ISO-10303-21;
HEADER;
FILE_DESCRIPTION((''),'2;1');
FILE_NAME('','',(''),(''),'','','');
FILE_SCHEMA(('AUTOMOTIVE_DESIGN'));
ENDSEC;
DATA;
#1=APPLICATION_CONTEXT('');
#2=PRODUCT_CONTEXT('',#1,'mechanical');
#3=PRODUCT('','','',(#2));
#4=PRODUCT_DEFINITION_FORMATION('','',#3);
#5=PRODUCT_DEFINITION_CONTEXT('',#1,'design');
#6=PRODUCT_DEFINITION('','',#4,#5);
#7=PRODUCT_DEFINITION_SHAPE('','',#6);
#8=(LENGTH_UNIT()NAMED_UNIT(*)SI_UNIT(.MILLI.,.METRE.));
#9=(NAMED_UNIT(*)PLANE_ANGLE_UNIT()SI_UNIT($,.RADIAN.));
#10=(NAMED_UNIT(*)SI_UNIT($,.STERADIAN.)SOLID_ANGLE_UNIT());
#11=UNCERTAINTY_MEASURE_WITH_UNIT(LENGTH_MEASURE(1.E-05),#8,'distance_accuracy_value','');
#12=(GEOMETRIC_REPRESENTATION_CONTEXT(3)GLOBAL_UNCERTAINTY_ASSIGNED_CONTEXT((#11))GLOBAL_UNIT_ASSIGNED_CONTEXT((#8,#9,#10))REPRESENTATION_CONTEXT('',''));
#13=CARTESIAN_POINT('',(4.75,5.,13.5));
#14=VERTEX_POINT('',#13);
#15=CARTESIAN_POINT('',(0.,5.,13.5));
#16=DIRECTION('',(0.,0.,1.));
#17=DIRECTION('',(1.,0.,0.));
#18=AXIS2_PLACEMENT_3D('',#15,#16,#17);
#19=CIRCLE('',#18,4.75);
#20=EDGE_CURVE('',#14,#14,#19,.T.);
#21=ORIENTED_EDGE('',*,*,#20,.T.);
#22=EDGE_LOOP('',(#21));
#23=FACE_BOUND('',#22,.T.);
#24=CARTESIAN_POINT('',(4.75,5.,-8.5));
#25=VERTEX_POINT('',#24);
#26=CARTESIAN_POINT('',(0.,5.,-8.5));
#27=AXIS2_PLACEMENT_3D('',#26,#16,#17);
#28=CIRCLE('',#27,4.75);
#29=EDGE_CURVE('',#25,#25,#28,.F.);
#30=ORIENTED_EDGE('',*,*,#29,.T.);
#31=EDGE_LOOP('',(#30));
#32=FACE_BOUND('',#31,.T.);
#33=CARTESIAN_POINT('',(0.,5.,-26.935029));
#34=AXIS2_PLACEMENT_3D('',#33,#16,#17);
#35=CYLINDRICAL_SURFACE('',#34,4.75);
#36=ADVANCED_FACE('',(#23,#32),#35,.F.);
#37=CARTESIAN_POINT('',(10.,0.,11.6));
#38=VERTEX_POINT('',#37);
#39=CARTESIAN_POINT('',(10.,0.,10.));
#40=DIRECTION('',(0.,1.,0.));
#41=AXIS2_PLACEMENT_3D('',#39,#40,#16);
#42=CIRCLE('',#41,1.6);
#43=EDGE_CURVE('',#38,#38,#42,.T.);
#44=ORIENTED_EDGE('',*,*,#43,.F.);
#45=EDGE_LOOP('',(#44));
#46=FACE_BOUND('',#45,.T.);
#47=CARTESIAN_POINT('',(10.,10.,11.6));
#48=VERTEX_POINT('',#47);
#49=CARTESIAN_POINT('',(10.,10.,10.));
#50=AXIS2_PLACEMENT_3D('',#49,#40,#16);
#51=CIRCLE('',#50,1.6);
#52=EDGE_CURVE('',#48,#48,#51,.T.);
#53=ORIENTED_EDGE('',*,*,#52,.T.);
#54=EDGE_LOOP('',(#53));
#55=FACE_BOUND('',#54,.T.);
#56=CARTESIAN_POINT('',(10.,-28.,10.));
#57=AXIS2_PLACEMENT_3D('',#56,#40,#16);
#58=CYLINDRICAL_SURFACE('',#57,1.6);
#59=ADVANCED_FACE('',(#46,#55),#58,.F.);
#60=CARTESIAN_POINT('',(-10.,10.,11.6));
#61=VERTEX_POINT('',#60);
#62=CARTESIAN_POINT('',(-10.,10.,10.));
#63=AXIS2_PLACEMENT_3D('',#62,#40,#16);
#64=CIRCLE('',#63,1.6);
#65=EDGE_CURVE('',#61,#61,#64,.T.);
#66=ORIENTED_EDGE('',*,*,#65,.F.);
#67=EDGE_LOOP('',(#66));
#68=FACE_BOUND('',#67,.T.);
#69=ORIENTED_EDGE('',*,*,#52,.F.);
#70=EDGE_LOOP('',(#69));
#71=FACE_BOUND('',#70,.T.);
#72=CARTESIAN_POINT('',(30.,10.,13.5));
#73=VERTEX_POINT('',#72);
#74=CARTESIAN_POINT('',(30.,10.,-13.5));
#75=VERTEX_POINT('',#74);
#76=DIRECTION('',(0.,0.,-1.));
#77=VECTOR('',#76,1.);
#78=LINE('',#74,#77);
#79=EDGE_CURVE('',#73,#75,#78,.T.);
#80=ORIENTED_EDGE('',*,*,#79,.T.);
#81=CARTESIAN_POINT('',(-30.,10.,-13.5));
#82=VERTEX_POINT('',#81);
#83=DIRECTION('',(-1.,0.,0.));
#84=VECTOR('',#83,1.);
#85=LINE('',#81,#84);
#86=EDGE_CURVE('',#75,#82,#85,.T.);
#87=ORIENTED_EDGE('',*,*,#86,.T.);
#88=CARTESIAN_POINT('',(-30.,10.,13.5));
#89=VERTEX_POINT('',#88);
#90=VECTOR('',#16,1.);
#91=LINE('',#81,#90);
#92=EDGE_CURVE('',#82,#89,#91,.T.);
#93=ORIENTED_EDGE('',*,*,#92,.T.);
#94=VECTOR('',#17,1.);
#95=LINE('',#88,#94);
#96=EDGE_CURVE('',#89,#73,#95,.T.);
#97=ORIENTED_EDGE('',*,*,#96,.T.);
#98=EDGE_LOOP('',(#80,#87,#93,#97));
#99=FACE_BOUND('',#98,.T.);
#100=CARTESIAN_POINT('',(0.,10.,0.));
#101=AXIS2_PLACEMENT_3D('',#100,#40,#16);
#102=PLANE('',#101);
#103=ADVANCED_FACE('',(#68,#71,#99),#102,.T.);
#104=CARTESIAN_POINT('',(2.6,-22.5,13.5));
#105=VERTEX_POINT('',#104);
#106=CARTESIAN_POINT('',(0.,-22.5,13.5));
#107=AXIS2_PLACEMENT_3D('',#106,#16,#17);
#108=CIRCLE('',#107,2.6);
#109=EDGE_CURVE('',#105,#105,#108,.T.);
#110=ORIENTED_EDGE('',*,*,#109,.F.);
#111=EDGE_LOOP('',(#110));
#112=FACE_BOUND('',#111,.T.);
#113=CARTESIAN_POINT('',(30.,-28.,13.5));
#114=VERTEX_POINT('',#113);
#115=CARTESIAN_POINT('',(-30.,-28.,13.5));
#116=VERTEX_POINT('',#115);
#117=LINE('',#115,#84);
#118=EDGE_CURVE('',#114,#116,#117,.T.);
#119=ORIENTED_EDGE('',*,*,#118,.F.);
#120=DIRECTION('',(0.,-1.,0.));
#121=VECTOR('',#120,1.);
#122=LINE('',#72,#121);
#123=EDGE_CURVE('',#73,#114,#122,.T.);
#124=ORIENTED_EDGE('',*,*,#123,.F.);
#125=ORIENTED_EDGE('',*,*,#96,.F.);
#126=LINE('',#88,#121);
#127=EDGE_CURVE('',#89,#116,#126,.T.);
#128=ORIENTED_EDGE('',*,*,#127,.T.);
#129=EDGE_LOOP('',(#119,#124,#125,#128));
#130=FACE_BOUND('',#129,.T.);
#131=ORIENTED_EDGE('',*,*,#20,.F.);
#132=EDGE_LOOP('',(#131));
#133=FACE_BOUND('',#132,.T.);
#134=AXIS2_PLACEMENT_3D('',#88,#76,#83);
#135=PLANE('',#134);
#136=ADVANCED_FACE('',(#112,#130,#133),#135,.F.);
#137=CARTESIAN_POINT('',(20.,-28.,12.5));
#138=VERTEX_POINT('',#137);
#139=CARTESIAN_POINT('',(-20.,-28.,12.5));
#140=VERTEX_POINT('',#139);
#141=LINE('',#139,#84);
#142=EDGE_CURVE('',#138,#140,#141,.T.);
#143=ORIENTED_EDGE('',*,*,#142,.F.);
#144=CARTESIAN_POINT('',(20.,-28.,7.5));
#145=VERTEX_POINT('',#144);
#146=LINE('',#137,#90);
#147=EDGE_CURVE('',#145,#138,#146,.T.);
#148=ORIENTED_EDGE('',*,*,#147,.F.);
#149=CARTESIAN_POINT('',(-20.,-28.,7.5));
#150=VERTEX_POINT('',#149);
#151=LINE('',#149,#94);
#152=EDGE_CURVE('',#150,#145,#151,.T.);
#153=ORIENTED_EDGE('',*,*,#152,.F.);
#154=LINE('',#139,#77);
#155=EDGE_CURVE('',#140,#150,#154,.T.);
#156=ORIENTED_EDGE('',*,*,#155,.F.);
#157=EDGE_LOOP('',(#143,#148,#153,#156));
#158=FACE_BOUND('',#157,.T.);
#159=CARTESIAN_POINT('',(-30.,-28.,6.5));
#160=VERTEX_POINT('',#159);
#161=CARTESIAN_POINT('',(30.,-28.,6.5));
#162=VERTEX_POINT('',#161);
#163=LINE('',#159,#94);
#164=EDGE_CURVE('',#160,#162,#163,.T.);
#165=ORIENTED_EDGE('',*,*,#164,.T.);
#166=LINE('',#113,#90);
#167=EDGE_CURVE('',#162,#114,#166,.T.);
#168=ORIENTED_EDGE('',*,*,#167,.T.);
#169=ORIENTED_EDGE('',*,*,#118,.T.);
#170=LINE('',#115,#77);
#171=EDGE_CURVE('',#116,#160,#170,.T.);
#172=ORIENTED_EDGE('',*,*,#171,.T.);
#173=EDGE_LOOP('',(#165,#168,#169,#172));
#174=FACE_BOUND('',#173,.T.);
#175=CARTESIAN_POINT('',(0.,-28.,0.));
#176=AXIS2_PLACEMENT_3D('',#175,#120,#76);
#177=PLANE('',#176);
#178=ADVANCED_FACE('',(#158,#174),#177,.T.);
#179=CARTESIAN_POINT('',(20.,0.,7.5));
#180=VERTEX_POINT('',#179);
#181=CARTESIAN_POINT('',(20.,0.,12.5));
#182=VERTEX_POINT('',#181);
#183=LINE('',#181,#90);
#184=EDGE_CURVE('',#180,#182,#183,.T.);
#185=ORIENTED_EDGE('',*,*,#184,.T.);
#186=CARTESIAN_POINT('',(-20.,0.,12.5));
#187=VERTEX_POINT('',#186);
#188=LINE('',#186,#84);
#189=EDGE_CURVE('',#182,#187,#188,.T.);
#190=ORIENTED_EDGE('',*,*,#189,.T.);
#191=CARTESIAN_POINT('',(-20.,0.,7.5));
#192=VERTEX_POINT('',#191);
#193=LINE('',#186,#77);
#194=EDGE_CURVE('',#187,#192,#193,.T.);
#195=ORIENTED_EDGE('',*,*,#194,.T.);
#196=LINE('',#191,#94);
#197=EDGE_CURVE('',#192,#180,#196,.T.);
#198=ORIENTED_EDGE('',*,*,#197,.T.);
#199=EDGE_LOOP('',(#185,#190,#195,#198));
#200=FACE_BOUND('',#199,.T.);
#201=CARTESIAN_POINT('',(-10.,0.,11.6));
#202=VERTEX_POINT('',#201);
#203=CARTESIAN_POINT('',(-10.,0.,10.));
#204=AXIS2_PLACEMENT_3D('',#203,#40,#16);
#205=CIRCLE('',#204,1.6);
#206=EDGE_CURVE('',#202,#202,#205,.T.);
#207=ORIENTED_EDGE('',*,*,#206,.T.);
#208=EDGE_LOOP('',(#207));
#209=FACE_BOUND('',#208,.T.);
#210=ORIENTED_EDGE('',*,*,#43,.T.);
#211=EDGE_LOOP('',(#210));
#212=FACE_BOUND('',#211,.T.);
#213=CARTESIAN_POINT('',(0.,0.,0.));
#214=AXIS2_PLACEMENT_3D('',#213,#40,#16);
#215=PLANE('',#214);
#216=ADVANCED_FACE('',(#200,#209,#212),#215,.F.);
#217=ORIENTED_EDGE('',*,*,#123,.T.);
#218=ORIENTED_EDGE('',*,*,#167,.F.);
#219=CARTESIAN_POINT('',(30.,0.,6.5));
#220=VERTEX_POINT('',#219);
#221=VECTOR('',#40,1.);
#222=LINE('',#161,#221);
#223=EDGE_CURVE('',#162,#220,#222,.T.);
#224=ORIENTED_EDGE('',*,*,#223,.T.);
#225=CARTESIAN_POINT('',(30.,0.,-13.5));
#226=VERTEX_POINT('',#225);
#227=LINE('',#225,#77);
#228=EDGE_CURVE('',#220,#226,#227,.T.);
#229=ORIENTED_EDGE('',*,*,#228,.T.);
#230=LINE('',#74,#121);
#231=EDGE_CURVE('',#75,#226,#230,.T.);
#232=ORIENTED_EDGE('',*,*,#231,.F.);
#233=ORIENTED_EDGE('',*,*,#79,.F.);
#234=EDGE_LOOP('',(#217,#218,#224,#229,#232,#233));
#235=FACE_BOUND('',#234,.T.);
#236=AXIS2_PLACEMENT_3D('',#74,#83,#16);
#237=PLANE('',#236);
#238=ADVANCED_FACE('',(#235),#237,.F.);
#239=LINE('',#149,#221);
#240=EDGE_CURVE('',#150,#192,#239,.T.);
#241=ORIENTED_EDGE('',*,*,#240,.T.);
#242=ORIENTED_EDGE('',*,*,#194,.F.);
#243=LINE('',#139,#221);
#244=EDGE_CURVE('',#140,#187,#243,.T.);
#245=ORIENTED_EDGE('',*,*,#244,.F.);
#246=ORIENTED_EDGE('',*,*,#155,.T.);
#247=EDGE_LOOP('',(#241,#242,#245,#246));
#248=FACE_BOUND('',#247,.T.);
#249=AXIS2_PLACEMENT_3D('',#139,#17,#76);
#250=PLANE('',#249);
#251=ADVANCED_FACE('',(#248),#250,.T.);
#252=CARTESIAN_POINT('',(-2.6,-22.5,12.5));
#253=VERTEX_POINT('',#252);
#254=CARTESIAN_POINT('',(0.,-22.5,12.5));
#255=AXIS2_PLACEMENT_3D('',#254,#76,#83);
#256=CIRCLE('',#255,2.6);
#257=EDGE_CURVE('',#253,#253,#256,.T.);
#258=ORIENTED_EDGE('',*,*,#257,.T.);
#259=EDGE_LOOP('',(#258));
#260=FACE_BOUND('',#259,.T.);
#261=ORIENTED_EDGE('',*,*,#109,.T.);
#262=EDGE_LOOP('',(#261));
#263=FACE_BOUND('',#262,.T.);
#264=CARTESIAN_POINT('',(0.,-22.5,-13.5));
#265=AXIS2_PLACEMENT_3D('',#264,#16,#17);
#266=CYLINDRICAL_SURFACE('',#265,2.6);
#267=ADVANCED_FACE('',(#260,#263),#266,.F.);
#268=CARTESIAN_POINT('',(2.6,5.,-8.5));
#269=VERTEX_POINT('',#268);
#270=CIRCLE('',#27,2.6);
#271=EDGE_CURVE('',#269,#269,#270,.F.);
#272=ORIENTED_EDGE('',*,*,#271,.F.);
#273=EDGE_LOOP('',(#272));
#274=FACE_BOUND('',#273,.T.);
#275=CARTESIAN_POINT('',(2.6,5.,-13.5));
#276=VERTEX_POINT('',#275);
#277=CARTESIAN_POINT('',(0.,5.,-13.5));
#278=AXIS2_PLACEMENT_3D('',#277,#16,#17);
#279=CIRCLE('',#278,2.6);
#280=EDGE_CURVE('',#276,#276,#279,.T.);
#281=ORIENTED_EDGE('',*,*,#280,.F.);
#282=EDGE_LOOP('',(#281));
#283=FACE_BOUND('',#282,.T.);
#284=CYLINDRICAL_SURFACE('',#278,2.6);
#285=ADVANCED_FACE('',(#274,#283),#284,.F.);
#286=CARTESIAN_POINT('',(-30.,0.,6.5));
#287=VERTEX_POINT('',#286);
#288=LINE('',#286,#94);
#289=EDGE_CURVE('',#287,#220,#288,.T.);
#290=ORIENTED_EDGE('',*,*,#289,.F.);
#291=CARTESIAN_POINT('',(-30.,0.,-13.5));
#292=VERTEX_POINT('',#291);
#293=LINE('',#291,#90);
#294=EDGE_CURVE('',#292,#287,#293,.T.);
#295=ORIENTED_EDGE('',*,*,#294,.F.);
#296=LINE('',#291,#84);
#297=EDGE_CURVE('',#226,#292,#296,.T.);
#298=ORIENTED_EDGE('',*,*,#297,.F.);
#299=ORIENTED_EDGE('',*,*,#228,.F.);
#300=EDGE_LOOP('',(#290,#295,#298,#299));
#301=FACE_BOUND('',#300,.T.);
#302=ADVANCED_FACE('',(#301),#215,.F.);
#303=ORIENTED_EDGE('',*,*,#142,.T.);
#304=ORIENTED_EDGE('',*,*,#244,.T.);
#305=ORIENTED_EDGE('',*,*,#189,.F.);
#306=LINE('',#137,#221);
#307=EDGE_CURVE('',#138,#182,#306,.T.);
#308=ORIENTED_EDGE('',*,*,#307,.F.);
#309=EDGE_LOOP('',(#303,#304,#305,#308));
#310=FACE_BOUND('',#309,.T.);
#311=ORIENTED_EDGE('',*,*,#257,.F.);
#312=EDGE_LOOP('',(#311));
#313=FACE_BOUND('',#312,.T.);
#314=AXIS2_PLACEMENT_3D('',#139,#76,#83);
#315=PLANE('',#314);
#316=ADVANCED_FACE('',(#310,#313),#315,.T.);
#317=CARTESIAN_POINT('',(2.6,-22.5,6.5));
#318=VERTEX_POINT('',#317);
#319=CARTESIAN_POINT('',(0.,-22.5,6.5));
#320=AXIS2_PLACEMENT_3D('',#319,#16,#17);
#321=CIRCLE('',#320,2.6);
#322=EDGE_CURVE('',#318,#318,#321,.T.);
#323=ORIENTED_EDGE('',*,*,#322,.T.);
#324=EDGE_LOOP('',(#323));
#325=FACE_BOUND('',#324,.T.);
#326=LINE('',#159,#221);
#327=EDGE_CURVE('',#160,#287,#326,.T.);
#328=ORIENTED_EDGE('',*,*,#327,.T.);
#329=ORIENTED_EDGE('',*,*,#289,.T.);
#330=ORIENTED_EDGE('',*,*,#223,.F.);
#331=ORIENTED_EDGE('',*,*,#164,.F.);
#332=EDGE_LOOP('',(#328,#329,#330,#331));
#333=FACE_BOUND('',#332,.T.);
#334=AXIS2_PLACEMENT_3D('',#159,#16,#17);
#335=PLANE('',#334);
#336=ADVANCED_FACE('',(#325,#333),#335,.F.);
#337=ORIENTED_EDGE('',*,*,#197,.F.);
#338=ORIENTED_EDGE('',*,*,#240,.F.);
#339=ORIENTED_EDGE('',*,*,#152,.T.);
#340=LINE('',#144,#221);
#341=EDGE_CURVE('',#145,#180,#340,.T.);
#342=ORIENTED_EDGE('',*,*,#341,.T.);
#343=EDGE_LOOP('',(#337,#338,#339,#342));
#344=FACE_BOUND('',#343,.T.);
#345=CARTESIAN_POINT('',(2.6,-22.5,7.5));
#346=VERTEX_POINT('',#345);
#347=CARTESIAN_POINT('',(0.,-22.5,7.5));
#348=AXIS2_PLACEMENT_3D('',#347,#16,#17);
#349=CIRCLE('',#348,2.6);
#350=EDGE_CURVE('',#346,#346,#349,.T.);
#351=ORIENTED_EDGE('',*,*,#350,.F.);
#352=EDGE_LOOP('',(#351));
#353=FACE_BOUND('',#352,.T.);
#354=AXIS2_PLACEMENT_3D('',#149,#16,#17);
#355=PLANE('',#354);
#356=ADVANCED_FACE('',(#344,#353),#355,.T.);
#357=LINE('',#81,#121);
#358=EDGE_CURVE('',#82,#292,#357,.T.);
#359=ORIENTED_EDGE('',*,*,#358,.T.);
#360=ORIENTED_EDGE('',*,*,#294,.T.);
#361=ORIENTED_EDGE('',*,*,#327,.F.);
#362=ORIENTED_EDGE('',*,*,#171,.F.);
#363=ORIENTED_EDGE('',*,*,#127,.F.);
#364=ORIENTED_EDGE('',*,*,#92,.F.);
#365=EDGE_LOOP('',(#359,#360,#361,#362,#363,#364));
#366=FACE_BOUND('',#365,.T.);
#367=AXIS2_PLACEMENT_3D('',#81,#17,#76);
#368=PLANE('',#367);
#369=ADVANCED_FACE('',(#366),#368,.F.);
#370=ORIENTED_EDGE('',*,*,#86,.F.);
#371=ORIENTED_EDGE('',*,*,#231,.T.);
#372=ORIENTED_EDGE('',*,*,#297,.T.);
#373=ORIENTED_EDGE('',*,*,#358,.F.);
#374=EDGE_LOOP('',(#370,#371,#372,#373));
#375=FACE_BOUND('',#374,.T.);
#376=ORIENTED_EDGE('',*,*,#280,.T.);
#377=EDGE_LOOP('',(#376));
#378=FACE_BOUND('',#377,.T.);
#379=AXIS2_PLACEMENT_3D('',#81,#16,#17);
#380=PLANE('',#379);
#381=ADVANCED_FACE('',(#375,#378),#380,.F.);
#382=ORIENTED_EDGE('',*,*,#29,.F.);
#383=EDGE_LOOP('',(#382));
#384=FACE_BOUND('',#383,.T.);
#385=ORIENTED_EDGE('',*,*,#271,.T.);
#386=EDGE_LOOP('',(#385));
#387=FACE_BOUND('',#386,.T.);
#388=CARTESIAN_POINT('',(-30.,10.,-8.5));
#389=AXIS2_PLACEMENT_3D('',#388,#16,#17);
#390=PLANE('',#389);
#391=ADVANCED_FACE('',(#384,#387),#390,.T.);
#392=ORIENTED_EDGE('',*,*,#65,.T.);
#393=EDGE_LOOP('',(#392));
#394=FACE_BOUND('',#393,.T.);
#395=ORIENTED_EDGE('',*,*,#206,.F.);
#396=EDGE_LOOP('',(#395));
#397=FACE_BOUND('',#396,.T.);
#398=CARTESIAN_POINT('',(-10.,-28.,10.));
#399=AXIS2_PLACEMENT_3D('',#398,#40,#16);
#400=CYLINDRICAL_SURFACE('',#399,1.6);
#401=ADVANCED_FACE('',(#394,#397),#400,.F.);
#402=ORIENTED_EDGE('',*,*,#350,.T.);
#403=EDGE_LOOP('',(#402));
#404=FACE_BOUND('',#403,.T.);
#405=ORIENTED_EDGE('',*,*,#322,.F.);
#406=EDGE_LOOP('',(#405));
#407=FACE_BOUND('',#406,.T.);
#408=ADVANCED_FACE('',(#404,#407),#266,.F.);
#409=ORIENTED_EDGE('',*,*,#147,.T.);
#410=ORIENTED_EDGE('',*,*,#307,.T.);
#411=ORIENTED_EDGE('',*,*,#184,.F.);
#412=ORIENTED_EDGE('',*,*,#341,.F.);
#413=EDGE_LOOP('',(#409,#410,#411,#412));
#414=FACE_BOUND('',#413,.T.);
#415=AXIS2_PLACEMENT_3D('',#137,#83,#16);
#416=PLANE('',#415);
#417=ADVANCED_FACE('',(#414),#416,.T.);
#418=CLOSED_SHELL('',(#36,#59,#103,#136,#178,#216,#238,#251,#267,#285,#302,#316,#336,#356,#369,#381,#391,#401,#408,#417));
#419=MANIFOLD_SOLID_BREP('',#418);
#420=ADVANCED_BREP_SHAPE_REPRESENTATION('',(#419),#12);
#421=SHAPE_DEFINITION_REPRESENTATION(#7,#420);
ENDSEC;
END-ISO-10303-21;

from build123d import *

# Parameters (mm, degrees)
SKETCH1_W           = 60
SKETCH1_H           = 27
BOSS_EXTRUDE1_DEPTH = 10
SKETCH2_R           = 2.6
CUT_EXTRUDE1_DEPTH  = 42.581245773
SKETCH3_R           = 4.75
CUT_EXTRUDE2_DEPTH  = 22
SKETCH4_W           = 60
SKETCH4_H           = 7
SKETCH4_W_2         = 40
SKETCH4_H_2         = 5
BOSS_EXTRUDE3_DEPTH = 28
SKETCH5_R           = 2.6
CUT_EXTRUDE3_DEPTH  = 50.122296363
SKETCH6_R           = 1.6
CUT_EXTRUDE4_DEPTH  = 51.261814532


with BuildPart() as part:
    # Sketch1 → Boss-Extrude1 (new body)
    with BuildSketch(Plane(origin=(0, 0, 0), x_dir=(1, 0, 0), z_dir=(0, 1, 0))):
        Rectangle(SKETCH1_W, SKETCH1_H)
    extrude(amount=BOSS_EXTRUDE1_DEPTH)

    # Sketch2 → Cut-Extrude1 (cut, through all)
    with BuildSketch(Plane.XY.offset(13.5)):
        with Locations((0, 5)):
            Circle(SKETCH2_R)
    extrude(amount=-CUT_EXTRUDE1_DEPTH, mode=Mode.SUBTRACT)

    # Sketch3 → Cut-Extrude2 (cut)
    with BuildSketch(Plane.XY.offset(13.5)):
        with Locations((0, 5)):
            Circle(SKETCH3_R)
    extrude(amount=-CUT_EXTRUDE2_DEPTH, mode=Mode.SUBTRACT)

    # Sketch4 → Boss-Extrude3 (add)
    with BuildSketch(Plane.XZ):
        with Locations((0, 10)):
            Rectangle(SKETCH4_W, SKETCH4_H)
        with Locations((0, 10)):
            Rectangle(SKETCH4_W_2, SKETCH4_H_2, mode=Mode.SUBTRACT)
    extrude(amount=BOSS_EXTRUDE3_DEPTH)

    # Sketch5 → Cut-Extrude3 (cut, through all)
    with BuildSketch(Plane.XY.offset(13.5)):
        with Locations((0, -22.5)):
            Circle(SKETCH5_R)
    extrude(amount=-CUT_EXTRUDE3_DEPTH, mode=Mode.SUBTRACT)

    # Sketch6 → Cut-Extrude4 (cut, through all)
    with BuildSketch(Plane(origin=(0, 10, 0), x_dir=(1, 0, 0), z_dir=(0, 1, 0))):
        with Locations(Location((-10, -10, 0), (0, 0, 270))):
            Circle(SKETCH6_R)
        with Locations(Location((10, -10, 0), (0, 0, 270))):
            Circle(SKETCH6_R)
    extrude(amount=-CUT_EXTRUDE4_DEPTH, mode=Mode.SUBTRACT)


solid = part.part
